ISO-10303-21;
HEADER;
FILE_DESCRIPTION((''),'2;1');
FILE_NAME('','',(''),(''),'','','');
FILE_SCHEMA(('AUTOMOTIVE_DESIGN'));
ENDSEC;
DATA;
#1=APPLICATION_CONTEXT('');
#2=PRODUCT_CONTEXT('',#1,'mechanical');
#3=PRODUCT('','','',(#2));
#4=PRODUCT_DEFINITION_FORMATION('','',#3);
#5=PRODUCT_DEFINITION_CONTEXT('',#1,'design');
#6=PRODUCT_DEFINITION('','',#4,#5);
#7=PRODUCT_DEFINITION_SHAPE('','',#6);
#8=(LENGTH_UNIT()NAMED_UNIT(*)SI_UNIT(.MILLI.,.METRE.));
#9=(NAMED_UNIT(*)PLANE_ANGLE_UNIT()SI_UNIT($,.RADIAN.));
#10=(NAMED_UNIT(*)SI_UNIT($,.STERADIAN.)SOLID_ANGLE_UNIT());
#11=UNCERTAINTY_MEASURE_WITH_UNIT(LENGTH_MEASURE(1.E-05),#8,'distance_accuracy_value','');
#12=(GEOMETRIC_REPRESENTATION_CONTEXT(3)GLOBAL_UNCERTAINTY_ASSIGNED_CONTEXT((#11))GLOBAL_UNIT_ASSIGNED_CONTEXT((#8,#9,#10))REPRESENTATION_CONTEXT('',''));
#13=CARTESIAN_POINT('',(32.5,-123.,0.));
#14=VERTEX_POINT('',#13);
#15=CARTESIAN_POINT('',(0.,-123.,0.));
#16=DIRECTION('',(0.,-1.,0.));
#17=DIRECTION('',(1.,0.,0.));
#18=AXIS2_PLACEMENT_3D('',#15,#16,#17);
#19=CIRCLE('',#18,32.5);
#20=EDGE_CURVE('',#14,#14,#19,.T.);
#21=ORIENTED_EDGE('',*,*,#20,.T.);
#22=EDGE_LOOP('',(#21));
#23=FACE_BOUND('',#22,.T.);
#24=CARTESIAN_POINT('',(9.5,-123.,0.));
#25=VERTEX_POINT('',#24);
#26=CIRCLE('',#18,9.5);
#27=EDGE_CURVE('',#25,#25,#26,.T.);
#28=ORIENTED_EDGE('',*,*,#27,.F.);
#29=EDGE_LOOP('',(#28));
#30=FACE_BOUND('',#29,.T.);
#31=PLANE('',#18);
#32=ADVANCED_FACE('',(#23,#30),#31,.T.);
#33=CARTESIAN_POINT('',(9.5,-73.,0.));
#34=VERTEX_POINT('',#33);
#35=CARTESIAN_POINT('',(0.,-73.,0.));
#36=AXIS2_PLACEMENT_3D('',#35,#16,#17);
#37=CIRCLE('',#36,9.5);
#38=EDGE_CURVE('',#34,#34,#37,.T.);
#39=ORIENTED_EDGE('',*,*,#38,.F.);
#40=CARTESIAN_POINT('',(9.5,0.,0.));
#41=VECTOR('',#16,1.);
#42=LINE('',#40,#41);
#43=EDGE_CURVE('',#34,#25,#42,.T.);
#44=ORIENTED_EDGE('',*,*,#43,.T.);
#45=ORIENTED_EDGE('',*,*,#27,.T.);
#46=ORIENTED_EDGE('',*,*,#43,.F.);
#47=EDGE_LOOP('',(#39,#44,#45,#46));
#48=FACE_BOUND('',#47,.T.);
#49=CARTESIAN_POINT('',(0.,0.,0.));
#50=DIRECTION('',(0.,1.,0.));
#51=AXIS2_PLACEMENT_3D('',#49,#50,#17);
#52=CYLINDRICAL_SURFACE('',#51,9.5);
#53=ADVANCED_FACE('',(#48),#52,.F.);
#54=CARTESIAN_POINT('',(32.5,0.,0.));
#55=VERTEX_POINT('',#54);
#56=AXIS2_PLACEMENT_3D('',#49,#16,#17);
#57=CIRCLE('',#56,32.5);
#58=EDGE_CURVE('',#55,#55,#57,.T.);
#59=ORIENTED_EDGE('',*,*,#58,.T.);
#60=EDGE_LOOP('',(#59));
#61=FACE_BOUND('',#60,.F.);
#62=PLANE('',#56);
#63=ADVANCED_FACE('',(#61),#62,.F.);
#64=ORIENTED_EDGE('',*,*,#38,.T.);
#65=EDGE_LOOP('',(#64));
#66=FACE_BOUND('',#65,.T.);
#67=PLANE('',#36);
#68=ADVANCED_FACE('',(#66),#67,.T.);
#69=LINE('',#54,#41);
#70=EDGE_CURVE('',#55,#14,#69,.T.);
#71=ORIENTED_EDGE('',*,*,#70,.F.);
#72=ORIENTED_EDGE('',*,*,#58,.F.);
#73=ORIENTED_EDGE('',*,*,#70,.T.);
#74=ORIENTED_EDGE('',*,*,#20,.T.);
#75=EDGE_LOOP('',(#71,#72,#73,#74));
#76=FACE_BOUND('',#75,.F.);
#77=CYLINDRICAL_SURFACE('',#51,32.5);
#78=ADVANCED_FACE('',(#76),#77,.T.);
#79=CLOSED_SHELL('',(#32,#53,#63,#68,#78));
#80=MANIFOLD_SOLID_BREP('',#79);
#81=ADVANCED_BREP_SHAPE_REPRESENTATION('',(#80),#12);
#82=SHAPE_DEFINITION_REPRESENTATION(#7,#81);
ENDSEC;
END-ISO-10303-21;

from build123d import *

# Parameters (mm, degrees)
F0_R     = 32.5
F0_R_2   = 9.5
F1_DEPTH = 123
F2_R     = 9.5
F3_DEPTH = 73


with BuildPart() as f1:
    # F0 (on Front) → F1 (new body)
    with BuildSketch(Plane.XZ):
        Circle(F0_R)
        Circle(F0_R_2, mode=Mode.SUBTRACT)
    extrude(amount=F1_DEPTH)

    # F2 (on Front) → F3 (join)
    with BuildSketch(Plane.XZ):
        Circle(F2_R)
    extrude(amount=F3_DEPTH)


solid = f1.part
